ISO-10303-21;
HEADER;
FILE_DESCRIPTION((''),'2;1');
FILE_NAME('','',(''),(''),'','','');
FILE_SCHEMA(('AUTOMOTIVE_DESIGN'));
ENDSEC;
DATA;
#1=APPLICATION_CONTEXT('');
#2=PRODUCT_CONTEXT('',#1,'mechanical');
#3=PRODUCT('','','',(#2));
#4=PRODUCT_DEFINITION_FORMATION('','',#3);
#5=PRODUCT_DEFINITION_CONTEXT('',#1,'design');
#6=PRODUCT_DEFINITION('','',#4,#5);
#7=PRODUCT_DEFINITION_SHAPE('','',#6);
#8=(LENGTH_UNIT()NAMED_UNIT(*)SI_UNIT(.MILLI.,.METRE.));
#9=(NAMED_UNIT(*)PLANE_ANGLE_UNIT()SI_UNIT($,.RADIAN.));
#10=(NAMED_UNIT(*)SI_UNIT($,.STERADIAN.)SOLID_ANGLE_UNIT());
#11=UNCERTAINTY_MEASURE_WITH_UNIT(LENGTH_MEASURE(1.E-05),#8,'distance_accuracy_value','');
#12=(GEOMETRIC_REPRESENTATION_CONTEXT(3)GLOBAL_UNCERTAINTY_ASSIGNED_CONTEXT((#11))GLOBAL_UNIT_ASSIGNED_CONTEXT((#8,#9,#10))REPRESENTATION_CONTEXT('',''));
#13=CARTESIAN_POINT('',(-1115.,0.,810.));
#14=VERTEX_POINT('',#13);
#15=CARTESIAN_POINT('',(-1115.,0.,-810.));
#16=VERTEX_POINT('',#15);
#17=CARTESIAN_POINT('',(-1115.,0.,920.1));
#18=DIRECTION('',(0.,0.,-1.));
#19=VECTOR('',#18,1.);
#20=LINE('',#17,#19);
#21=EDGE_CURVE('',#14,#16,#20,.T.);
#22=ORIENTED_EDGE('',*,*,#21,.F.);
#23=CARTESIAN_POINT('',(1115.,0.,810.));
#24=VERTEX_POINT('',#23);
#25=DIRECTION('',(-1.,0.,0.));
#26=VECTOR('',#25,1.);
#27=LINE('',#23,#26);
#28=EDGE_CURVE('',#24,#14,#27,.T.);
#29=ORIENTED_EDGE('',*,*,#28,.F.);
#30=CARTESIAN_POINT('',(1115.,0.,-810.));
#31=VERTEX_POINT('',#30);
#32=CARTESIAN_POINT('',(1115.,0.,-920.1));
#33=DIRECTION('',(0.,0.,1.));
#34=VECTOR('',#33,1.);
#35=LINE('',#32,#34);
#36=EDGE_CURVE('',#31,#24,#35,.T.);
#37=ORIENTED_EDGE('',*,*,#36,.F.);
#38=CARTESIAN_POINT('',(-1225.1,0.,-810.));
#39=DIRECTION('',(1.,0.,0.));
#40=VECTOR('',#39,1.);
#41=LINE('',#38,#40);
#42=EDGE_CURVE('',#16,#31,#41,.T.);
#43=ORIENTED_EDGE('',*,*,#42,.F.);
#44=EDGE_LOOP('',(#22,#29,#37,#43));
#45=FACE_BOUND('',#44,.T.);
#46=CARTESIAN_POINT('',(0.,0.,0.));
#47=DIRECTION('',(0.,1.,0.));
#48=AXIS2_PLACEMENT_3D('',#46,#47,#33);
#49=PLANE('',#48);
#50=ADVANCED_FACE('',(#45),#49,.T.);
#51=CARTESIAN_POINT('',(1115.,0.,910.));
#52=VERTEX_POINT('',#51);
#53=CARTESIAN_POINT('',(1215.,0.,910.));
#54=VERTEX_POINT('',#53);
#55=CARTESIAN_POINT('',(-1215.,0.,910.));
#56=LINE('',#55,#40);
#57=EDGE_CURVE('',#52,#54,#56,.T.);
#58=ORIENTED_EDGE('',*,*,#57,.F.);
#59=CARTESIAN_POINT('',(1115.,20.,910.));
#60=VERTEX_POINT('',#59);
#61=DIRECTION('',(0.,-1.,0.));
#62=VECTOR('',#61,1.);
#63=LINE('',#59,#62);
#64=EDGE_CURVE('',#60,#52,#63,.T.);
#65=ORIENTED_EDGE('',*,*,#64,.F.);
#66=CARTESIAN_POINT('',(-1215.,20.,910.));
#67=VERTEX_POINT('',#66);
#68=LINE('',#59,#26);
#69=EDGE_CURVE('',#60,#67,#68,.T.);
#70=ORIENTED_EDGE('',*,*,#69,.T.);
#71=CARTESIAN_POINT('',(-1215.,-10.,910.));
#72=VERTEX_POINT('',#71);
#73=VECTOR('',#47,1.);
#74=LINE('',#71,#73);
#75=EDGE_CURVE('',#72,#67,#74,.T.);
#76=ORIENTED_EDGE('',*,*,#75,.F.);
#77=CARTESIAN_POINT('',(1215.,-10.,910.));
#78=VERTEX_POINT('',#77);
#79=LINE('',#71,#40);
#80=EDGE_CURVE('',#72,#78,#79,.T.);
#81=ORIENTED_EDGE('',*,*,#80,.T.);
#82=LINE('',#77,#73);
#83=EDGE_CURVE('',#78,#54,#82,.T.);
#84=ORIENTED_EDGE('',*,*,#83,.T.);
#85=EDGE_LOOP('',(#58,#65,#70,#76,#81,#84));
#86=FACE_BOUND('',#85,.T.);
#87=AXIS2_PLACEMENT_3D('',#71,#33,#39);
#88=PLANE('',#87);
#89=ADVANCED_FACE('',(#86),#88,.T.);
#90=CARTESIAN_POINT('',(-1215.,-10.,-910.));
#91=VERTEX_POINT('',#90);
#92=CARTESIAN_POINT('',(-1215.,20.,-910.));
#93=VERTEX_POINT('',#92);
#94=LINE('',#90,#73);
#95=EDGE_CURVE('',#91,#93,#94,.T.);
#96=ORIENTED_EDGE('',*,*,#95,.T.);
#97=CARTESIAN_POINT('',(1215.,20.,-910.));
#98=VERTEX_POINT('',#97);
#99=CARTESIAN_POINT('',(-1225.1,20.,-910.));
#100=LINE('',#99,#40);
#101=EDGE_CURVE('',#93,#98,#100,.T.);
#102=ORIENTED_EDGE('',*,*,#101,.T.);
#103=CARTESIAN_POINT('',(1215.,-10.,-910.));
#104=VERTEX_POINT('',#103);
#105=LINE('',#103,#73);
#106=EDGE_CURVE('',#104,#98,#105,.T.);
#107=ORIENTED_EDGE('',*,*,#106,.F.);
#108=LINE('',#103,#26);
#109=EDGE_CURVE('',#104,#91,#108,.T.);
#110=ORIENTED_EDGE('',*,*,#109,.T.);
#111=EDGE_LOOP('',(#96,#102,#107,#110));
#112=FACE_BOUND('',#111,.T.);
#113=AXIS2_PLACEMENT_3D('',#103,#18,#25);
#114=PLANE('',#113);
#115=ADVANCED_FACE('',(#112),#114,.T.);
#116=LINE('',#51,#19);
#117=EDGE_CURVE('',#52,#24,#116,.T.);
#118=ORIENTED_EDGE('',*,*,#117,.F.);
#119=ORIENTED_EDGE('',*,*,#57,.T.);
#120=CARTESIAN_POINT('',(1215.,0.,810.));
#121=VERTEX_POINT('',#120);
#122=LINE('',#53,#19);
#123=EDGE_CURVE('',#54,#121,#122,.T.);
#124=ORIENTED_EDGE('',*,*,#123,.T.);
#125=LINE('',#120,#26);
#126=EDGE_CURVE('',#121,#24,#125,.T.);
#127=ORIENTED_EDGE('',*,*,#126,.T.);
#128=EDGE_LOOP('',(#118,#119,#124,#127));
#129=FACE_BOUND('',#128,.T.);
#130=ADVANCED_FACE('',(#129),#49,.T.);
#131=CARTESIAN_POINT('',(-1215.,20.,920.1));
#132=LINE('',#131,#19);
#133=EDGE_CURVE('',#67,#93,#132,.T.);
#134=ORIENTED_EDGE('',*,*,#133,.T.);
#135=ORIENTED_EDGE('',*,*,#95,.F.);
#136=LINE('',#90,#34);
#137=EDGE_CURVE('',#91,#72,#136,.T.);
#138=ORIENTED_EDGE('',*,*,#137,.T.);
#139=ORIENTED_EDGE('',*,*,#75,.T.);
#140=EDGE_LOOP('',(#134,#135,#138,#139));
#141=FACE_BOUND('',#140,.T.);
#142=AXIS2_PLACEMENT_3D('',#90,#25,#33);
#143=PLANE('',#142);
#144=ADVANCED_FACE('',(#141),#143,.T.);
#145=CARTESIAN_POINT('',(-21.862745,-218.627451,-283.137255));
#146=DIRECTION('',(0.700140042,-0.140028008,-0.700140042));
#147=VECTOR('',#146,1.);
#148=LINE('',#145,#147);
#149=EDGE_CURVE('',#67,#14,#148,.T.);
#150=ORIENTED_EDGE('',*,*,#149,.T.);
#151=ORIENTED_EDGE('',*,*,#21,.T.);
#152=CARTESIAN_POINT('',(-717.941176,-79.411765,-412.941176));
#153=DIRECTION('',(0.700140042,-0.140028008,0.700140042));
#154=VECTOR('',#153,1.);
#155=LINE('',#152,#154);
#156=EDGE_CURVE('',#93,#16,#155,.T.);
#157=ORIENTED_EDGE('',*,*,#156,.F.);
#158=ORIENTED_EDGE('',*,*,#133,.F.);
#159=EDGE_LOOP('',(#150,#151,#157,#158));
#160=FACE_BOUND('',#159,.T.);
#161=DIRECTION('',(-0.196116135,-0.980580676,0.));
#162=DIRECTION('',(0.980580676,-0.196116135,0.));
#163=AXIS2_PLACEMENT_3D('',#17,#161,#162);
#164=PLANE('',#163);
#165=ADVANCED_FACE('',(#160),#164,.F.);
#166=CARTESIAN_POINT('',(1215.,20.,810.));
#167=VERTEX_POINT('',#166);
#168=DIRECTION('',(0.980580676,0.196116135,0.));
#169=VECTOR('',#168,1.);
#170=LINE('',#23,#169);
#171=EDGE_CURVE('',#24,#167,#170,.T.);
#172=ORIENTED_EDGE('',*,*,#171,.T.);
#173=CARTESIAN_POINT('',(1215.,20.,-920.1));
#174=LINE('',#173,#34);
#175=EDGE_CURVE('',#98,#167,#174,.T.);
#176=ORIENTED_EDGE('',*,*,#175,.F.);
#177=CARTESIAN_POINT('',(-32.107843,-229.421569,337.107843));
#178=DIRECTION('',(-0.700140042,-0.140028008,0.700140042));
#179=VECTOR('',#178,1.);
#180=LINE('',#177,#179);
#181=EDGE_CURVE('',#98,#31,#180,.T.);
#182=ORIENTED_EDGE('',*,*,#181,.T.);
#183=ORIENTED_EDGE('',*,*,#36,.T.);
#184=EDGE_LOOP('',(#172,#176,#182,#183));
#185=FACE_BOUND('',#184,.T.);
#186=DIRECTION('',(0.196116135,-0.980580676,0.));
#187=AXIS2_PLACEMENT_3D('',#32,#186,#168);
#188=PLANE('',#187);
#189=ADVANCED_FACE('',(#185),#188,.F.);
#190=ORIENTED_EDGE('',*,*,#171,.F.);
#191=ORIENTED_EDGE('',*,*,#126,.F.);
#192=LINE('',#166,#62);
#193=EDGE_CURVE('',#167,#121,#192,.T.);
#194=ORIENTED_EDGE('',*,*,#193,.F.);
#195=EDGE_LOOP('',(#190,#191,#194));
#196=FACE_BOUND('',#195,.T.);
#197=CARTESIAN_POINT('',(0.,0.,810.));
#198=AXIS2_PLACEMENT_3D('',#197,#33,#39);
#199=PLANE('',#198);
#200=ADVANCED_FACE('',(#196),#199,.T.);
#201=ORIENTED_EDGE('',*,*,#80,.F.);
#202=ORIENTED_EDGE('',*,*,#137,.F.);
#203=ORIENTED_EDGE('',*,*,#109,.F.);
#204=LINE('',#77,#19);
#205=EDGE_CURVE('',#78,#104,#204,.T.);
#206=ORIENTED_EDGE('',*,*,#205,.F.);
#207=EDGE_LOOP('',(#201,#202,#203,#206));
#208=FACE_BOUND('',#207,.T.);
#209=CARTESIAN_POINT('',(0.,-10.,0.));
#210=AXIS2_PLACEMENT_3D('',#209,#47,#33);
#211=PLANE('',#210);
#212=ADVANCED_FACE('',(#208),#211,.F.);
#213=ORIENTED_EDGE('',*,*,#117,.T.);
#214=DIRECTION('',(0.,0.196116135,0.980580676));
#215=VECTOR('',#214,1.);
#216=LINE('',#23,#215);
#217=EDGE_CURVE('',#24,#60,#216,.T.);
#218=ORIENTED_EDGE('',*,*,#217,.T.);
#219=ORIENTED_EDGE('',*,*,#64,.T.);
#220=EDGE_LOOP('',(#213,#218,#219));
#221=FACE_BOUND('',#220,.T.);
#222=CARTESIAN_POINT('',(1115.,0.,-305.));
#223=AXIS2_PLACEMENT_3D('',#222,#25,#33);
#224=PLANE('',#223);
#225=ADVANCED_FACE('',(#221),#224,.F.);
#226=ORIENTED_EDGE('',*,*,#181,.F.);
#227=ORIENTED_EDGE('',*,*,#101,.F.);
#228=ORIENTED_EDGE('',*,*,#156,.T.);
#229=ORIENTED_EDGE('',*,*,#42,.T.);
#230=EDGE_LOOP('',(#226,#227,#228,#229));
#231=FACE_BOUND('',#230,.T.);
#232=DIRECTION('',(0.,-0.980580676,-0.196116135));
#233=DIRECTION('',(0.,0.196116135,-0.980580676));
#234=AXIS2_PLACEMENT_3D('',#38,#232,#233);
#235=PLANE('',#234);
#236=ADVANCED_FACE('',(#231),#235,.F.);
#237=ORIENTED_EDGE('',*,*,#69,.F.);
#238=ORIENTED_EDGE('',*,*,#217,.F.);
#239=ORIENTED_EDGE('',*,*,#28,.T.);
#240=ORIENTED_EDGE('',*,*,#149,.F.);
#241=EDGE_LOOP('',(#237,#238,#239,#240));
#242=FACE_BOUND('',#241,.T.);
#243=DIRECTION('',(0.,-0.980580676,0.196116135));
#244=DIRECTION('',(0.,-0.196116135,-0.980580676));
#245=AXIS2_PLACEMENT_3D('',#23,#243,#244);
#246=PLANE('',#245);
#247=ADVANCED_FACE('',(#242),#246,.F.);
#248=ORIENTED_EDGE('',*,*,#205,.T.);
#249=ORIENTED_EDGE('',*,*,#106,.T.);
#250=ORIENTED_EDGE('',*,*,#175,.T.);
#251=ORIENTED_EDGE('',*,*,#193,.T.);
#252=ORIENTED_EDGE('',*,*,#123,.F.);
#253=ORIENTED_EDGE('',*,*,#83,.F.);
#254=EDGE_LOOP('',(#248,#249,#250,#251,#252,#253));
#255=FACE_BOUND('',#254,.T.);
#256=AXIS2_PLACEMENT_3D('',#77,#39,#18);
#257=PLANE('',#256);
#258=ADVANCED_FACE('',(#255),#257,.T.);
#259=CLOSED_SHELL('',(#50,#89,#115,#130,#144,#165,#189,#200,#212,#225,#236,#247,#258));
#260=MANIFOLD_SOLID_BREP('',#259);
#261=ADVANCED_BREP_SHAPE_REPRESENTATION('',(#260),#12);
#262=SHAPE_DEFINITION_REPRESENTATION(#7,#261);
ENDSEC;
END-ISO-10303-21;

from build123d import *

# Parameters (mm, degrees)
SKETCH_1_W      = 2430
SKETCH_1_H      = 1820
EXTRUDE_2_DEPTH = 10


with BuildPart() as part:
    # Эскиз1 → Выдавливание2 (new body)
    with BuildSketch(Plane(origin=(0, 0, 0), x_dir=(-1, 0, 0), z_dir=(0, 1, 0))):
        Rectangle(SKETCH_1_W, SKETCH_1_H)
    extrude(amount=-EXTRUDE_2_DEPTH)

    # Sweep 1: sweep along a curve in space
    with BuildLine() as sweep_1_path:
        Line((-1115, 0, 810), (-1115, 0, 0))
        Line((1115, 0, 810), (-1115, 0, 810))
    # Эскиз2 → Sweep 1 (sweep)
    with BuildSketch(Plane.XY):
        Polygon((-1115, 0), (-1215, 20), (-1215, 0), align=None)
    sweep(path=sweep_1_path.line, transition=Transition.RIGHT)

    # Sweep 1 2: sweep along a curve in space
    with BuildLine() as sweep_1_2_path:
        Line((1115, 0, -810), (1115, 0, 810))
        Line((-1115, 0, -810), (1115, 0, -810))
        Line((-1115, 0, 0), (-1115, 0, -810))
    # Эскиз2<2> → Sweep 1 2 (sweep)
    with BuildSketch(Plane.XY):
        Polygon((-1115, 0), (-1215, 20), (-1215, 0), align=None)
    sweep(path=sweep_1_2_path.line, transition=Transition.RIGHT)


solid = part.part
